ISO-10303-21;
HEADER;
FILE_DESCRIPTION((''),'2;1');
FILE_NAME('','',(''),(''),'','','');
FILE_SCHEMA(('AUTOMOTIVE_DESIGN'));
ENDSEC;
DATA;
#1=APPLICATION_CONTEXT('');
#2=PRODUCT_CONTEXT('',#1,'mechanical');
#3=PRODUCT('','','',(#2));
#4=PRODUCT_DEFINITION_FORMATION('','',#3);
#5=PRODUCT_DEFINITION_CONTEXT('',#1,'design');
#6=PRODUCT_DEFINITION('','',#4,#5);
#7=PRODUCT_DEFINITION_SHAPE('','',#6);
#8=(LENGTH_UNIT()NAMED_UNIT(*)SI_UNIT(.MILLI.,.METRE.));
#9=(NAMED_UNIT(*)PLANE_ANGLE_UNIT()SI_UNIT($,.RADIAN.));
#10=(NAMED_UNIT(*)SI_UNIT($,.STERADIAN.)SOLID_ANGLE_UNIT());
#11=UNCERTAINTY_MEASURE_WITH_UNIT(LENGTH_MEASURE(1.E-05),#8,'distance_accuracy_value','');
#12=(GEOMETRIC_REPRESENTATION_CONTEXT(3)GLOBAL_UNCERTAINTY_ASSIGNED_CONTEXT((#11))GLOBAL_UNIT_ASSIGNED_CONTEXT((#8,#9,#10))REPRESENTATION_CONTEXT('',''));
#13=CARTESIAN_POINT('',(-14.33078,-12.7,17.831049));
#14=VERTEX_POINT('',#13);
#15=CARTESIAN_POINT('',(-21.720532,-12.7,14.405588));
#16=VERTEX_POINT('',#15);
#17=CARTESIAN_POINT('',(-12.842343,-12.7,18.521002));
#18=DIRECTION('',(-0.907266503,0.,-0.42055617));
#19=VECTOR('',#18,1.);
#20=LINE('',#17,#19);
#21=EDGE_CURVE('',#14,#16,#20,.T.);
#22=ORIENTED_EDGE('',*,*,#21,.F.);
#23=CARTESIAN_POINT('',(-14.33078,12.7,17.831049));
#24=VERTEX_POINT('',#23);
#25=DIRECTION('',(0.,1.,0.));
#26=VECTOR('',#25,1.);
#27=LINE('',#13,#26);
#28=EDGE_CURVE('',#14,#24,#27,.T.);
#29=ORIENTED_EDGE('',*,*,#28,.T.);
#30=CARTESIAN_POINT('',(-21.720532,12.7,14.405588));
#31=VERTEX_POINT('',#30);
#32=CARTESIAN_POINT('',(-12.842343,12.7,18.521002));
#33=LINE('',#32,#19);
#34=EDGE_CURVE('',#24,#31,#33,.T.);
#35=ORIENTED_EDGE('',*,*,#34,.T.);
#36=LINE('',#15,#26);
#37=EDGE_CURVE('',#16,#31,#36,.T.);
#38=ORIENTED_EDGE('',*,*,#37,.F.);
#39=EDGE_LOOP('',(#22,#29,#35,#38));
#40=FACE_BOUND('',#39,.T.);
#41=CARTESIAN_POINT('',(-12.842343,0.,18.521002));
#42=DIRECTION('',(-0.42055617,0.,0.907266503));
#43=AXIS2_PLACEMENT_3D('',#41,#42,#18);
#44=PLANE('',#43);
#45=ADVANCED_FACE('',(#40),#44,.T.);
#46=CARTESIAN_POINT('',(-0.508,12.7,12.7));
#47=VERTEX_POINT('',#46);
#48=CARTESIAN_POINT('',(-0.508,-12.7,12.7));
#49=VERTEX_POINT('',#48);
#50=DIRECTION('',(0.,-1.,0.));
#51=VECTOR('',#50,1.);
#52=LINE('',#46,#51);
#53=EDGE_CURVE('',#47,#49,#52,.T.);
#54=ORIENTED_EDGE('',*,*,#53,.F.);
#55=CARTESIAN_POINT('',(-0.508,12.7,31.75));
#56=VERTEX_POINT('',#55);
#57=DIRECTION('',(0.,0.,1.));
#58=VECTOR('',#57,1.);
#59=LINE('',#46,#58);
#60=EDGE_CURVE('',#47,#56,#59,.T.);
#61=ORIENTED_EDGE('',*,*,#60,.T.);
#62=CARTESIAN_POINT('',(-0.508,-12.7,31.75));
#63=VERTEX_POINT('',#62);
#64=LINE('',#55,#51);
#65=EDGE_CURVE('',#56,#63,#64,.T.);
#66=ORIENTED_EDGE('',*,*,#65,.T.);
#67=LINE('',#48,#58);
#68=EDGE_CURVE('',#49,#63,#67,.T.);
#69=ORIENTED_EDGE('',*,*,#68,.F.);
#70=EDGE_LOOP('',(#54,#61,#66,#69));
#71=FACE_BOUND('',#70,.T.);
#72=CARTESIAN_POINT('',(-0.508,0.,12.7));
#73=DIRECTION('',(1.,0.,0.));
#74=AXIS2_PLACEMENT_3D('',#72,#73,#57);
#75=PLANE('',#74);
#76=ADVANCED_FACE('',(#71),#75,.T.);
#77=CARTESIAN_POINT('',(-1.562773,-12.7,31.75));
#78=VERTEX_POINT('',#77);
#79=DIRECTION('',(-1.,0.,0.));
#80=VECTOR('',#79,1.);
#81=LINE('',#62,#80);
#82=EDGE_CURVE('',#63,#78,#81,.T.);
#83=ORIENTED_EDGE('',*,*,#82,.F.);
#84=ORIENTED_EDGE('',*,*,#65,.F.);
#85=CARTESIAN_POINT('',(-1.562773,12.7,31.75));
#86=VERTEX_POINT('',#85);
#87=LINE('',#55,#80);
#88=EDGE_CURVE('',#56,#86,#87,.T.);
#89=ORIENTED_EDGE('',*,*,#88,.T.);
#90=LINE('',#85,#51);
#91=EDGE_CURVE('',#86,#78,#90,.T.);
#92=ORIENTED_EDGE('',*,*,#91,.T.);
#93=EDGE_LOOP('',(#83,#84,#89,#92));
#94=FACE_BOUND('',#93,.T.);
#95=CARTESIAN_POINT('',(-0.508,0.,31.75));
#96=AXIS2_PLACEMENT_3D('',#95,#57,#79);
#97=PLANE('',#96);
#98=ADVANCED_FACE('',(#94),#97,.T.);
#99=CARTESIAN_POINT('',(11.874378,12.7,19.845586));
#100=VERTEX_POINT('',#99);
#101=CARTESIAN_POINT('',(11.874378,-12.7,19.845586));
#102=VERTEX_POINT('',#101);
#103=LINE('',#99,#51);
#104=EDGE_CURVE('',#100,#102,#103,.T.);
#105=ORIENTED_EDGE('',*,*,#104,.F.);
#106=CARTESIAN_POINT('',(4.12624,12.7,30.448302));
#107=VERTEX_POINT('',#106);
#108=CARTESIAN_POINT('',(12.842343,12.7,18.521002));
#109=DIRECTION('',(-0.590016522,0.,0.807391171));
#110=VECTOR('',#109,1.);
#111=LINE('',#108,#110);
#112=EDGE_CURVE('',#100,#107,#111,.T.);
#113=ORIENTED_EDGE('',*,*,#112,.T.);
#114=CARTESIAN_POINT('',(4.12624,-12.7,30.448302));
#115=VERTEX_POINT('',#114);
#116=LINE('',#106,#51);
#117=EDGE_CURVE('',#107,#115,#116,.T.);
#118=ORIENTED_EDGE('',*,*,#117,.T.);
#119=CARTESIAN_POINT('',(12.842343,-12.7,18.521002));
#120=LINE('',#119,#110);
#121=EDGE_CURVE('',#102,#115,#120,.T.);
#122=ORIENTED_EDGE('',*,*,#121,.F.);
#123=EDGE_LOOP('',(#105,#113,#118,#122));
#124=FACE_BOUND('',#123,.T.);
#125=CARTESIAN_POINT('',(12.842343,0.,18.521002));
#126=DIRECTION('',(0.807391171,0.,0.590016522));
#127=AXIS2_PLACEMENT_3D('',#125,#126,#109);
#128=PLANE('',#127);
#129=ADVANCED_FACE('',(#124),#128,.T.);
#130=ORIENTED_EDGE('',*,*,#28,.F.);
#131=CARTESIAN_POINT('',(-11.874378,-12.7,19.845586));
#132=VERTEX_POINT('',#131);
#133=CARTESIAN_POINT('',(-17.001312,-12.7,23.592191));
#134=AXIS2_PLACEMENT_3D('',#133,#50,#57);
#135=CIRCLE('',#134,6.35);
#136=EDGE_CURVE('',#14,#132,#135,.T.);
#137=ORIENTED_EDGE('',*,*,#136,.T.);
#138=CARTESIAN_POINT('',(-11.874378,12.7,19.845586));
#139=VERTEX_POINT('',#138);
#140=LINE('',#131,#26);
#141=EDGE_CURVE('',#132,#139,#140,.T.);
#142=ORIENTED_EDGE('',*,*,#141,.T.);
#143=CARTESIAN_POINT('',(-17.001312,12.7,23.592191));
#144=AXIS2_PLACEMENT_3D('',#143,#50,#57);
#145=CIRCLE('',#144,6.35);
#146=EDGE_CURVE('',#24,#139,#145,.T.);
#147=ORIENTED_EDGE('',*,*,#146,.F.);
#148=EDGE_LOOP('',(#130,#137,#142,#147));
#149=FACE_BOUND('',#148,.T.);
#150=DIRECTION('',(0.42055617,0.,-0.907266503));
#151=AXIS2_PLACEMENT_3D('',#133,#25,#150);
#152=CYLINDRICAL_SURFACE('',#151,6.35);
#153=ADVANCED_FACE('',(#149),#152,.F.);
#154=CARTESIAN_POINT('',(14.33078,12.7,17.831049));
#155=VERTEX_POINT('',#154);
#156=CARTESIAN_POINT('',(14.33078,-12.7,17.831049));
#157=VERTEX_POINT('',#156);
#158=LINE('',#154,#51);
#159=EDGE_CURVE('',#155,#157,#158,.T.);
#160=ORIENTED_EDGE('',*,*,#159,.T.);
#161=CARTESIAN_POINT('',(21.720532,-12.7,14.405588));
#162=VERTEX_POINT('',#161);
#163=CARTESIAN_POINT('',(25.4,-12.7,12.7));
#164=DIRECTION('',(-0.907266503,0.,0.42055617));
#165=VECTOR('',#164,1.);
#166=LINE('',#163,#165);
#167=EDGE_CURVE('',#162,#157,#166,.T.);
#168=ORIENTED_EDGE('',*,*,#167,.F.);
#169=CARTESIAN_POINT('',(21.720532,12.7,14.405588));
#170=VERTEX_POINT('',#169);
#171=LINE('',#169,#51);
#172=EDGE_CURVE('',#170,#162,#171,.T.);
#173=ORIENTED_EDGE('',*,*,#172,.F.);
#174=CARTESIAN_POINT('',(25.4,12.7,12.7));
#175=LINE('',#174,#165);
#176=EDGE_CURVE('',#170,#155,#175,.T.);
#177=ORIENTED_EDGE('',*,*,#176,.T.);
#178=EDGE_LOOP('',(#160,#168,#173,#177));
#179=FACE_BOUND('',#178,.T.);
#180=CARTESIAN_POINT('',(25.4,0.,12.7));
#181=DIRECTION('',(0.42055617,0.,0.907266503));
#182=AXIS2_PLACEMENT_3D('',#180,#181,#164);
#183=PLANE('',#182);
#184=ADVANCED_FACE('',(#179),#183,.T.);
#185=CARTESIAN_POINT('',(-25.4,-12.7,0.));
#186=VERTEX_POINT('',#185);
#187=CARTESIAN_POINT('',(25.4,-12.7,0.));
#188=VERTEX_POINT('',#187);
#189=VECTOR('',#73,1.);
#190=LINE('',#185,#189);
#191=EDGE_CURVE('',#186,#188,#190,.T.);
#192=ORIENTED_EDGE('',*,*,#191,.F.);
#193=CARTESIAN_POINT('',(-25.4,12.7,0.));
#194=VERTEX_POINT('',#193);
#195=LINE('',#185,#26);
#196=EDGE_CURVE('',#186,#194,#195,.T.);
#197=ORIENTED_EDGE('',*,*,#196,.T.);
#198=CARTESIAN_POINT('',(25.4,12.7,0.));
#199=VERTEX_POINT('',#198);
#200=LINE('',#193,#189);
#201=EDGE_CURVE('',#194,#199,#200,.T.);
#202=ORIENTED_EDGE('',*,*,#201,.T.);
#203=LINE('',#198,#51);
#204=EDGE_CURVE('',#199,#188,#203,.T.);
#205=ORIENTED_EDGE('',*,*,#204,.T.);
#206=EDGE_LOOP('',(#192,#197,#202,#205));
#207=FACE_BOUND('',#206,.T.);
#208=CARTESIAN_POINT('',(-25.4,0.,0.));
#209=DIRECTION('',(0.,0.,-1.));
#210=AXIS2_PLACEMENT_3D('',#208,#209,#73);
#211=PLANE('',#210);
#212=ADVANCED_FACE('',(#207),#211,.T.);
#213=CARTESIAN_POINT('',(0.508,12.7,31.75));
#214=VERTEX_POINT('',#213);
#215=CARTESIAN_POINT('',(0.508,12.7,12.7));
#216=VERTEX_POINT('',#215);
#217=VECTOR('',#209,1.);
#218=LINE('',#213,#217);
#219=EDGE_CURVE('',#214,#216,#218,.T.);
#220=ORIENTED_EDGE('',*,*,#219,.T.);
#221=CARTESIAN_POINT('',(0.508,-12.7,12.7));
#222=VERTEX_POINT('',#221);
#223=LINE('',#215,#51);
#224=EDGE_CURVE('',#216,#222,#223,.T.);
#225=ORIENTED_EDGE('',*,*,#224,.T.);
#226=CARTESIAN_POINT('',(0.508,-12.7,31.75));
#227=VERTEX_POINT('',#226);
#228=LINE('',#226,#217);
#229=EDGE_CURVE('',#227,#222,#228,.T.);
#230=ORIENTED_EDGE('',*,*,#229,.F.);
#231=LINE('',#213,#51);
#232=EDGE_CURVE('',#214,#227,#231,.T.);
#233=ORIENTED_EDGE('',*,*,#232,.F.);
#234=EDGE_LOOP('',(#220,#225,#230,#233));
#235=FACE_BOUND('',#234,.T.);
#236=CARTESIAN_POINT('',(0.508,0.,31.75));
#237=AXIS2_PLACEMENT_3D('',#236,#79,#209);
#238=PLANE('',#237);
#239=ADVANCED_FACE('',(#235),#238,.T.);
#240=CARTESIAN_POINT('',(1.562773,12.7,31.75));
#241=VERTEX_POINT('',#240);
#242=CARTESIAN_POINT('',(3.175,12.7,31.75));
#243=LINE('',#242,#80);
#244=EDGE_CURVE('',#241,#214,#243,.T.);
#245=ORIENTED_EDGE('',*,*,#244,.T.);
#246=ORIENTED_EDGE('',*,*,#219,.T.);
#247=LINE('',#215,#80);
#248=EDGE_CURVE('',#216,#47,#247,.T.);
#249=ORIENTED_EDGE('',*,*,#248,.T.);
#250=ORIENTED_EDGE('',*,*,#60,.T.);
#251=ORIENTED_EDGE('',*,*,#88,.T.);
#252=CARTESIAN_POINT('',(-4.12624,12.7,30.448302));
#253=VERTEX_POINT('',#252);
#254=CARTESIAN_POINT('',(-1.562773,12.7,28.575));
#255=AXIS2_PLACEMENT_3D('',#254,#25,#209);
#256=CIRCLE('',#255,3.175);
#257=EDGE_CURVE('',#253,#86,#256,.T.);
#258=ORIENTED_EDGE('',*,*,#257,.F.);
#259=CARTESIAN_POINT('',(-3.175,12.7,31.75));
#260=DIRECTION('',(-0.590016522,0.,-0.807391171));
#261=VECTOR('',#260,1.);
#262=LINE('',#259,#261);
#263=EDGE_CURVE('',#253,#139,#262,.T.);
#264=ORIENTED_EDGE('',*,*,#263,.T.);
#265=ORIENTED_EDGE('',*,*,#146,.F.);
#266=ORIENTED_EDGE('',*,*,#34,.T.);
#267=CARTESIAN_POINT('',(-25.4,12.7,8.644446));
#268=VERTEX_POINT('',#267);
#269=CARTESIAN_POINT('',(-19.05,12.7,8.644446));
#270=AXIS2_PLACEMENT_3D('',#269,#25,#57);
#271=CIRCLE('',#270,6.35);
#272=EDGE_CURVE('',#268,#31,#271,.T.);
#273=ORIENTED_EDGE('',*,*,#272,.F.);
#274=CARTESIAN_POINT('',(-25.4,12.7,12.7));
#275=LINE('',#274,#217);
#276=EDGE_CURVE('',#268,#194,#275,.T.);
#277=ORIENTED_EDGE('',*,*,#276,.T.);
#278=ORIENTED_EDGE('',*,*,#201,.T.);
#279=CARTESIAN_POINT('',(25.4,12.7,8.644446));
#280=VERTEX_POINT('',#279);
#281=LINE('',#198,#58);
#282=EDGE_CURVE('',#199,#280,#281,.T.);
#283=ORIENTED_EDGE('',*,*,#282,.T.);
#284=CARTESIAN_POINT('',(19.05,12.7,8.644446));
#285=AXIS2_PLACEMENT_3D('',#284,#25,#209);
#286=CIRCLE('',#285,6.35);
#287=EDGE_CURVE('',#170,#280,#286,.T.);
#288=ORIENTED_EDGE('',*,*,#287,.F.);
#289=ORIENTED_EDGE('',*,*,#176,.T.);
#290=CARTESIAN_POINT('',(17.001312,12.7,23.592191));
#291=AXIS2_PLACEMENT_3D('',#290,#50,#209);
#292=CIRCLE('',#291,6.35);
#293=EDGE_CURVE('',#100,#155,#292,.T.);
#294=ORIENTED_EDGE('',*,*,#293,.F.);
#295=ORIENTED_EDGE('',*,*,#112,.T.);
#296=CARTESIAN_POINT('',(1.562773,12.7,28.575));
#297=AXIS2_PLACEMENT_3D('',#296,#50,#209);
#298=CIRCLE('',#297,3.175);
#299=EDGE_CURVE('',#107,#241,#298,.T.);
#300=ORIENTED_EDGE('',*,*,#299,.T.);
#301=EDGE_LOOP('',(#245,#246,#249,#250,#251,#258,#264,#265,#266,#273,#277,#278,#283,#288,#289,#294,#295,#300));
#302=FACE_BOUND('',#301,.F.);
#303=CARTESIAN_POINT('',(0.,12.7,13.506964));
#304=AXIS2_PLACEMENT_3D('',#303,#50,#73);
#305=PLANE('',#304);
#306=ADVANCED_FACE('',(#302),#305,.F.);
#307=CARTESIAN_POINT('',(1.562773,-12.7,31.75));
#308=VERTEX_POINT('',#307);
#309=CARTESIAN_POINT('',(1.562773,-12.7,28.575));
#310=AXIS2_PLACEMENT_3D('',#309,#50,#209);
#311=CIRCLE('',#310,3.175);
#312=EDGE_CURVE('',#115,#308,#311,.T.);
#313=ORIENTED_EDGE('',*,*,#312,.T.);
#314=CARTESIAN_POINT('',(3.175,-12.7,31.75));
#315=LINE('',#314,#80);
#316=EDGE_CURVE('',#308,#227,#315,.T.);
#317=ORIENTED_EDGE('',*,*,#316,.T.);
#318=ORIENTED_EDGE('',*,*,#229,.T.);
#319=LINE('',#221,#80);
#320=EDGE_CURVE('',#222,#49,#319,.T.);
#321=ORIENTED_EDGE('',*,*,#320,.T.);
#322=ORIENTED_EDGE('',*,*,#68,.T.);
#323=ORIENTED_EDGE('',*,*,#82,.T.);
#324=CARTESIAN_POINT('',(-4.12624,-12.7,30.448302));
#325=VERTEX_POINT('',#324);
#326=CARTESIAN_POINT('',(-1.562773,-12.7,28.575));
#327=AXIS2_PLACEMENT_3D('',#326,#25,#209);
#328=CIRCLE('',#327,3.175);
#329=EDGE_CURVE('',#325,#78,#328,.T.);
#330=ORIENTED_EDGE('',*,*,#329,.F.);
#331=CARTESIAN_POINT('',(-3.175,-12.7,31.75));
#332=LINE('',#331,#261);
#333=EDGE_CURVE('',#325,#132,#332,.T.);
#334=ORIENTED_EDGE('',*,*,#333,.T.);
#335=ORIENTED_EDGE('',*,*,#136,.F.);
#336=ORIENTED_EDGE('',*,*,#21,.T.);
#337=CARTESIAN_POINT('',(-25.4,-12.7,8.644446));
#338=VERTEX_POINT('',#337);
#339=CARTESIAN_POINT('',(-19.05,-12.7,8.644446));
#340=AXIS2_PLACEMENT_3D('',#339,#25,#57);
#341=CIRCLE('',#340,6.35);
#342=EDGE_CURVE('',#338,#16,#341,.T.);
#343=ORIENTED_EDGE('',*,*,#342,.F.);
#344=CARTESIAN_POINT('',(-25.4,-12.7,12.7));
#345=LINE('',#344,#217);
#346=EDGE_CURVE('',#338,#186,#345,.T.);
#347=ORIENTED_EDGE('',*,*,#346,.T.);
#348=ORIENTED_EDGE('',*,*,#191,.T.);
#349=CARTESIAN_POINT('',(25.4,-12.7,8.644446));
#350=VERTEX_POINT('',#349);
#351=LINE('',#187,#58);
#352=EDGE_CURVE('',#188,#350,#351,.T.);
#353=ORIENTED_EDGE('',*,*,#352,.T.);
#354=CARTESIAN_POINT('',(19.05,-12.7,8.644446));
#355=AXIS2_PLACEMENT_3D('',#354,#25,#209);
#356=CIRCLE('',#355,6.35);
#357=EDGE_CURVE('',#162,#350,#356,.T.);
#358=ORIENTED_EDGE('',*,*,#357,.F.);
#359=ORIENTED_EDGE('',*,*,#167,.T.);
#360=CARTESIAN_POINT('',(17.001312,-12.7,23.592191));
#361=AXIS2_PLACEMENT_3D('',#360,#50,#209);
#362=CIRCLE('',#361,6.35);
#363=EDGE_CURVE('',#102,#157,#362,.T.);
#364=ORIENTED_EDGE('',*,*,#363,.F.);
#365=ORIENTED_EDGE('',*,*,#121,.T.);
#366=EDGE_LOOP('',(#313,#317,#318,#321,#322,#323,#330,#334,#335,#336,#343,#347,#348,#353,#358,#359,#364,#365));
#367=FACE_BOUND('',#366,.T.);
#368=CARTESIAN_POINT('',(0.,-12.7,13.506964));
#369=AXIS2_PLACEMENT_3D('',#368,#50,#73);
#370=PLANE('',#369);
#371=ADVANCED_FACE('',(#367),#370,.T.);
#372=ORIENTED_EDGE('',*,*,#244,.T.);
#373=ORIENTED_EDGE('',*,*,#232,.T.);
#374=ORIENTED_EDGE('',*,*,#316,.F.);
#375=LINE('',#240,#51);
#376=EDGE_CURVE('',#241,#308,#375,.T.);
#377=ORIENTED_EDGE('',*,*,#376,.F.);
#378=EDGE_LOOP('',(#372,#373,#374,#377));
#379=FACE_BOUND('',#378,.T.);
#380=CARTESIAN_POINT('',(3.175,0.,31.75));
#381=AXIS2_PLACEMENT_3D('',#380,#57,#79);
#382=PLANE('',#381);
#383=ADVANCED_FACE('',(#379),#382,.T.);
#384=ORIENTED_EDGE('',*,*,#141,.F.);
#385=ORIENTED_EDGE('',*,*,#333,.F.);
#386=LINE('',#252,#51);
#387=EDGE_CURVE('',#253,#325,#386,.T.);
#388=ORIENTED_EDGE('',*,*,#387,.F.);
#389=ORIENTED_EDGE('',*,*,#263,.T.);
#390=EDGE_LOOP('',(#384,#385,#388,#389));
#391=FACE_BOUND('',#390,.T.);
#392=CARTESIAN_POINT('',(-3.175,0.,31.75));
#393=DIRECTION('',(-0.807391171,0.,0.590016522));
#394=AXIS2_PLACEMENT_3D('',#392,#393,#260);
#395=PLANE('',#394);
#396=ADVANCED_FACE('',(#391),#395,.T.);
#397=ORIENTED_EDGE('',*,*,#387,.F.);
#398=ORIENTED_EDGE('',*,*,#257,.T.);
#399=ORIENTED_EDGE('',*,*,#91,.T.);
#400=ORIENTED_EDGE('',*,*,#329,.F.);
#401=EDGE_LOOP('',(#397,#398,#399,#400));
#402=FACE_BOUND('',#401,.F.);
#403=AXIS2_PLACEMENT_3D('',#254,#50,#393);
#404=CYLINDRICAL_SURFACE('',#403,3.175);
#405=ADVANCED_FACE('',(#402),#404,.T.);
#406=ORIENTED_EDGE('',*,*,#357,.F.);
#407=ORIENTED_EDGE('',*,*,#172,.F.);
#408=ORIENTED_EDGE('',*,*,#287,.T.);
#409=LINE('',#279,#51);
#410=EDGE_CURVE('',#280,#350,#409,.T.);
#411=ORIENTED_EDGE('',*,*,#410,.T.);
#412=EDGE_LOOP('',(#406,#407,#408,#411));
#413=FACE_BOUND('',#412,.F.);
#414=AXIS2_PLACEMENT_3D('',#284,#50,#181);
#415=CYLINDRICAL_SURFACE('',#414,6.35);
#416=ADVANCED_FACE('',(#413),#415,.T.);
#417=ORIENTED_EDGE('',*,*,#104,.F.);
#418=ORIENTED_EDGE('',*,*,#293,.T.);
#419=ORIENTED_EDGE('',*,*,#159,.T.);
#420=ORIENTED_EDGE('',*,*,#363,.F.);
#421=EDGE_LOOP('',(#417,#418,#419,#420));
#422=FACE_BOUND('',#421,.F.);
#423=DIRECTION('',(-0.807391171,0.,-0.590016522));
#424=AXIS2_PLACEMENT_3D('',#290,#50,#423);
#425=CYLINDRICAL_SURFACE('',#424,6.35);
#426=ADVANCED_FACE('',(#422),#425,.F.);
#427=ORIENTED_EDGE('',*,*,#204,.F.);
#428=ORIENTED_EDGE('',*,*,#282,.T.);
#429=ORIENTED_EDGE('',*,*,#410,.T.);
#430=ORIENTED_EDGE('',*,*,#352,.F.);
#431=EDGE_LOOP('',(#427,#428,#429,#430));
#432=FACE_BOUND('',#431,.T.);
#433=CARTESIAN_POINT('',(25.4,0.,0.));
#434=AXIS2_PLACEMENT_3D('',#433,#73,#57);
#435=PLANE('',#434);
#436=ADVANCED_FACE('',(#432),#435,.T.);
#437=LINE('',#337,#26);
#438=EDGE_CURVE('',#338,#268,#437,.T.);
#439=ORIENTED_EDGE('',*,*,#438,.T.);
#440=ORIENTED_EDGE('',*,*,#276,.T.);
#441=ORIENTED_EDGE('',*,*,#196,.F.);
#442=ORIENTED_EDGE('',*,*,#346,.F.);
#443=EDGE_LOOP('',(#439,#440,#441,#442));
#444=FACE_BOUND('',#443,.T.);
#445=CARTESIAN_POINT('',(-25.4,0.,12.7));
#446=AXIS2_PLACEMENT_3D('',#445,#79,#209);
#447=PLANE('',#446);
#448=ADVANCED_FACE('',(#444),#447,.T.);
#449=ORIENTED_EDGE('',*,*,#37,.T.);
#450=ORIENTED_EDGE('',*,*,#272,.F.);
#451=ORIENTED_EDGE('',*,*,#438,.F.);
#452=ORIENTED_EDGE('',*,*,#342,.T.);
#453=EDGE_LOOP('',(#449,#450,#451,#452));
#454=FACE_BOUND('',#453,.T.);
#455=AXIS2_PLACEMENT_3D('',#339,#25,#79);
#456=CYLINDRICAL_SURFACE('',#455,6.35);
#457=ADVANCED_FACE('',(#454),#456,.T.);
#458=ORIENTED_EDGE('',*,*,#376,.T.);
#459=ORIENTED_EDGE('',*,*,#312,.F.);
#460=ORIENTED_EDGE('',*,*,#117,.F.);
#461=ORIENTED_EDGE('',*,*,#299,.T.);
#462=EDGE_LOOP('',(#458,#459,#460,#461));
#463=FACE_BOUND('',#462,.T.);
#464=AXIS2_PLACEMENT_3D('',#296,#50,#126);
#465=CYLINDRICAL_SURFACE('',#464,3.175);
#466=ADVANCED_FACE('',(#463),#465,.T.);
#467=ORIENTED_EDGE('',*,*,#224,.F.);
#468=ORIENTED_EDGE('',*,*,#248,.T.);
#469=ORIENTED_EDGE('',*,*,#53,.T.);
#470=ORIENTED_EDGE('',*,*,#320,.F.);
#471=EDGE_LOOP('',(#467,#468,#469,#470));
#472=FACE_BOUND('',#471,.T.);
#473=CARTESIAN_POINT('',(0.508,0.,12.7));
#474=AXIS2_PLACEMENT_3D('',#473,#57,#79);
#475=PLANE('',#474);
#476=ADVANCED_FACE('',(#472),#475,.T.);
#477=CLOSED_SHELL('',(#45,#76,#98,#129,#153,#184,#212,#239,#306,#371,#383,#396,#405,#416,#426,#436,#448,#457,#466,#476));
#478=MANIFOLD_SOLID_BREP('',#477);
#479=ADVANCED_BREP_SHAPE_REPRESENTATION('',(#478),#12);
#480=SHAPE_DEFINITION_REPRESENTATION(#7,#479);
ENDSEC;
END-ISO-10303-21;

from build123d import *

# Parameters (mm, degrees)
F1_DEPTH = 12.7
F2_R     = 6.35
F3_R     = 3.175


with BuildPart() as f1:
    # F0 (on Front) → F1 (new body, symmetric)
    with BuildSketch(Plane.XZ):
        Polygon((-25.4, 0), (25.4, 0), (25.4, 12.7), (12.842343, 18.521002), (3.175, 31.75), (0.508, 31.75), (0.508, 12.7), (-0.508, 12.7), (-0.508, 31.75), (-3.175, 31.75), (-12.842343, 18.521002), (-25.4, 12.7), align=None)
    extrude(amount=F1_DEPTH, both=True)

    # F2
    f2_edges = [f1.edges().sort_by_distance(p)[0] for p in [
        (25.4, 0, 12.7),
        (12.842343, 0, 18.521002),
        (-12.842343, 0, 18.521002),
        (-25.4, 0, 12.7),
    ]]
    fillet(f2_edges, radius=F2_R)

    # F3
    f3_edges = [f1.edges().sort_by_distance(p)[0] for p in [
        (3.175, 0, 31.75),
        (-3.175, 0, 31.75),
    ]]
    fillet(f3_edges, radius=F3_R)


solid = f1.part
